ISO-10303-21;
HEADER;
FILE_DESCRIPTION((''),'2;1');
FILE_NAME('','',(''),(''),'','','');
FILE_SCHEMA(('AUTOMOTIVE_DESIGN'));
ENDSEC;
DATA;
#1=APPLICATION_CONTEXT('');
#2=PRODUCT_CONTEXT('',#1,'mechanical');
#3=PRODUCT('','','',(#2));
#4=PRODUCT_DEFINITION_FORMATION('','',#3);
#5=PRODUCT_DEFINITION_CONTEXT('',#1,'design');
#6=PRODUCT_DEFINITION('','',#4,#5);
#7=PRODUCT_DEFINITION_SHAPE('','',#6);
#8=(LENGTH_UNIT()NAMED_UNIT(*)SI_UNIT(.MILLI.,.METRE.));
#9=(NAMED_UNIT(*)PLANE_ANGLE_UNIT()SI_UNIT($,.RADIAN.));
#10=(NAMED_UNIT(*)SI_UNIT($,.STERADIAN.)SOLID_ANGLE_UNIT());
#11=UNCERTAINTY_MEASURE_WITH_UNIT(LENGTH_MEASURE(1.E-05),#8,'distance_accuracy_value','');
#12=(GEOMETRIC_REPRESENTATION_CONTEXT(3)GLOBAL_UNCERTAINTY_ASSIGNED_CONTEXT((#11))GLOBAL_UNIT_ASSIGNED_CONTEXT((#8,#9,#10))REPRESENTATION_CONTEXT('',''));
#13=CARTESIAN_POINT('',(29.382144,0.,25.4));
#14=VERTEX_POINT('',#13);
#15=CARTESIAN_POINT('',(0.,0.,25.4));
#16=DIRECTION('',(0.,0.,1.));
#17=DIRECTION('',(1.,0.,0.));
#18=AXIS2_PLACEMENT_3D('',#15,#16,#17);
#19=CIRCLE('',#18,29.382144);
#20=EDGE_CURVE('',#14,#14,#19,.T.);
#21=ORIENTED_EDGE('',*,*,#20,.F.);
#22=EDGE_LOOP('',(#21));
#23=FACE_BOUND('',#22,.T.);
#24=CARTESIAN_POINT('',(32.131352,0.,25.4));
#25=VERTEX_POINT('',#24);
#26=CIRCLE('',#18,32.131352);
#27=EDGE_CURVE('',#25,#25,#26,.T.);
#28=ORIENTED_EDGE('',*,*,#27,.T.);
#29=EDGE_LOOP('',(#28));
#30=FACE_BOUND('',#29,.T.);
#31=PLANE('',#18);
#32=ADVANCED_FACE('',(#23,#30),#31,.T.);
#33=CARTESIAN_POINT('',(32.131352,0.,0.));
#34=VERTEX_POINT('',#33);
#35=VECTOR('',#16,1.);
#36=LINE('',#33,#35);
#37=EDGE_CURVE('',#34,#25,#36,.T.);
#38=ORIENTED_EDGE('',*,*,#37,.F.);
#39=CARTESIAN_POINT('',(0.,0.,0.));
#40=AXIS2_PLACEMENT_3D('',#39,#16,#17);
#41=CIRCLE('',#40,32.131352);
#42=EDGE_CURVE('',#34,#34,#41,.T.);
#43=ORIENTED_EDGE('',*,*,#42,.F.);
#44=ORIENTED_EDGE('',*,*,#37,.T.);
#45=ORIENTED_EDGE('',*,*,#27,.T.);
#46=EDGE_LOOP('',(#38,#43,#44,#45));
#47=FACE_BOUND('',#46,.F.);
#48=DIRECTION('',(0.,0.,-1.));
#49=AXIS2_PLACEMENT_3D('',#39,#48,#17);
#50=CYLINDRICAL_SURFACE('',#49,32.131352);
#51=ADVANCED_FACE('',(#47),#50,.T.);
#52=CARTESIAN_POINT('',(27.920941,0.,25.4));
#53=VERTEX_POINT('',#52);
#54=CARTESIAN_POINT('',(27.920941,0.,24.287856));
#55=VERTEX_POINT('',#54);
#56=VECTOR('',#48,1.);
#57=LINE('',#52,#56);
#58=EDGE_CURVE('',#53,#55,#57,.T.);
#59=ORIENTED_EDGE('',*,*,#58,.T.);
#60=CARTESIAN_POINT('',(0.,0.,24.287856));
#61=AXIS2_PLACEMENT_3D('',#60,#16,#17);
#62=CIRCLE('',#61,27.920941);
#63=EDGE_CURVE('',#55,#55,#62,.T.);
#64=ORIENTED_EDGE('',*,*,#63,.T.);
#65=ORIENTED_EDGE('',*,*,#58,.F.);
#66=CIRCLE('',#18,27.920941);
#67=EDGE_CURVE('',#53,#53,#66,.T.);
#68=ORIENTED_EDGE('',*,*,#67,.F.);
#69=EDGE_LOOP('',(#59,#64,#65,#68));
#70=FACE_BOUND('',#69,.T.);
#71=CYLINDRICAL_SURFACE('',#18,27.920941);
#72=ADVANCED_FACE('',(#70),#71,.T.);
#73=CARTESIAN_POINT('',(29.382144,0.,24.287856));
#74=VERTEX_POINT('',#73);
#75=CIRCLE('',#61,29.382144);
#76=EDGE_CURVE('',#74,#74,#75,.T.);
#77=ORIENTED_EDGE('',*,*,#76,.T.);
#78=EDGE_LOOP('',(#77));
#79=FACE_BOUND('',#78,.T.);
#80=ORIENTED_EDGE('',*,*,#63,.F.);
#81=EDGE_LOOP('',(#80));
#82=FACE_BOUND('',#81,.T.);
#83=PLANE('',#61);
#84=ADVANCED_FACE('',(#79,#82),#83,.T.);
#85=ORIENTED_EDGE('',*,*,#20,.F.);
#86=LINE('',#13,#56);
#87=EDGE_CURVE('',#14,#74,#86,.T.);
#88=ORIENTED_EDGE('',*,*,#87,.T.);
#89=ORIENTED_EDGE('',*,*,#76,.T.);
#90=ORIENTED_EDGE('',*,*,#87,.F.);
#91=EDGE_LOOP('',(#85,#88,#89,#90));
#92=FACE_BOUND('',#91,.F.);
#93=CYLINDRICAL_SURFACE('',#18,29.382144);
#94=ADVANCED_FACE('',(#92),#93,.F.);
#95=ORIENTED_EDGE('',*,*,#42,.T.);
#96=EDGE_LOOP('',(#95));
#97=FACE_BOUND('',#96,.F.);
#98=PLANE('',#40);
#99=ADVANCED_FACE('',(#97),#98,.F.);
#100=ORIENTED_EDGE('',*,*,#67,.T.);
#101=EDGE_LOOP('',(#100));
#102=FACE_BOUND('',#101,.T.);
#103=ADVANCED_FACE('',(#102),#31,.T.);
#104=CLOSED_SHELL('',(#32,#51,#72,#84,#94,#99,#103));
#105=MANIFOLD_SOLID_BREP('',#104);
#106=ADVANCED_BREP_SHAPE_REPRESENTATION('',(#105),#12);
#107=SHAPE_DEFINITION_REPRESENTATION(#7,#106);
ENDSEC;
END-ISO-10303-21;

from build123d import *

# Parameters (mm, degrees)
F0_R     = 32.131352
F1_DEPTH = 25.4
F2_R     = 29.382144
F2_R_2   = 27.920941
F3_DEPTH = 1.112144


with BuildPart() as f1:
    # F0 (on Top) → F1 (new body)
    with BuildSketch(Plane.XY):
        Circle(F0_R)
    extrude(amount=F1_DEPTH)

    # F2 (on face) → F3 (cut)
    with BuildSketch(Plane.XY.offset(25.4)):
        Circle(F2_R)
        Circle(F2_R_2, mode=Mode.SUBTRACT)
    extrude(amount=-F3_DEPTH, mode=Mode.SUBTRACT)


solid = f1.part
